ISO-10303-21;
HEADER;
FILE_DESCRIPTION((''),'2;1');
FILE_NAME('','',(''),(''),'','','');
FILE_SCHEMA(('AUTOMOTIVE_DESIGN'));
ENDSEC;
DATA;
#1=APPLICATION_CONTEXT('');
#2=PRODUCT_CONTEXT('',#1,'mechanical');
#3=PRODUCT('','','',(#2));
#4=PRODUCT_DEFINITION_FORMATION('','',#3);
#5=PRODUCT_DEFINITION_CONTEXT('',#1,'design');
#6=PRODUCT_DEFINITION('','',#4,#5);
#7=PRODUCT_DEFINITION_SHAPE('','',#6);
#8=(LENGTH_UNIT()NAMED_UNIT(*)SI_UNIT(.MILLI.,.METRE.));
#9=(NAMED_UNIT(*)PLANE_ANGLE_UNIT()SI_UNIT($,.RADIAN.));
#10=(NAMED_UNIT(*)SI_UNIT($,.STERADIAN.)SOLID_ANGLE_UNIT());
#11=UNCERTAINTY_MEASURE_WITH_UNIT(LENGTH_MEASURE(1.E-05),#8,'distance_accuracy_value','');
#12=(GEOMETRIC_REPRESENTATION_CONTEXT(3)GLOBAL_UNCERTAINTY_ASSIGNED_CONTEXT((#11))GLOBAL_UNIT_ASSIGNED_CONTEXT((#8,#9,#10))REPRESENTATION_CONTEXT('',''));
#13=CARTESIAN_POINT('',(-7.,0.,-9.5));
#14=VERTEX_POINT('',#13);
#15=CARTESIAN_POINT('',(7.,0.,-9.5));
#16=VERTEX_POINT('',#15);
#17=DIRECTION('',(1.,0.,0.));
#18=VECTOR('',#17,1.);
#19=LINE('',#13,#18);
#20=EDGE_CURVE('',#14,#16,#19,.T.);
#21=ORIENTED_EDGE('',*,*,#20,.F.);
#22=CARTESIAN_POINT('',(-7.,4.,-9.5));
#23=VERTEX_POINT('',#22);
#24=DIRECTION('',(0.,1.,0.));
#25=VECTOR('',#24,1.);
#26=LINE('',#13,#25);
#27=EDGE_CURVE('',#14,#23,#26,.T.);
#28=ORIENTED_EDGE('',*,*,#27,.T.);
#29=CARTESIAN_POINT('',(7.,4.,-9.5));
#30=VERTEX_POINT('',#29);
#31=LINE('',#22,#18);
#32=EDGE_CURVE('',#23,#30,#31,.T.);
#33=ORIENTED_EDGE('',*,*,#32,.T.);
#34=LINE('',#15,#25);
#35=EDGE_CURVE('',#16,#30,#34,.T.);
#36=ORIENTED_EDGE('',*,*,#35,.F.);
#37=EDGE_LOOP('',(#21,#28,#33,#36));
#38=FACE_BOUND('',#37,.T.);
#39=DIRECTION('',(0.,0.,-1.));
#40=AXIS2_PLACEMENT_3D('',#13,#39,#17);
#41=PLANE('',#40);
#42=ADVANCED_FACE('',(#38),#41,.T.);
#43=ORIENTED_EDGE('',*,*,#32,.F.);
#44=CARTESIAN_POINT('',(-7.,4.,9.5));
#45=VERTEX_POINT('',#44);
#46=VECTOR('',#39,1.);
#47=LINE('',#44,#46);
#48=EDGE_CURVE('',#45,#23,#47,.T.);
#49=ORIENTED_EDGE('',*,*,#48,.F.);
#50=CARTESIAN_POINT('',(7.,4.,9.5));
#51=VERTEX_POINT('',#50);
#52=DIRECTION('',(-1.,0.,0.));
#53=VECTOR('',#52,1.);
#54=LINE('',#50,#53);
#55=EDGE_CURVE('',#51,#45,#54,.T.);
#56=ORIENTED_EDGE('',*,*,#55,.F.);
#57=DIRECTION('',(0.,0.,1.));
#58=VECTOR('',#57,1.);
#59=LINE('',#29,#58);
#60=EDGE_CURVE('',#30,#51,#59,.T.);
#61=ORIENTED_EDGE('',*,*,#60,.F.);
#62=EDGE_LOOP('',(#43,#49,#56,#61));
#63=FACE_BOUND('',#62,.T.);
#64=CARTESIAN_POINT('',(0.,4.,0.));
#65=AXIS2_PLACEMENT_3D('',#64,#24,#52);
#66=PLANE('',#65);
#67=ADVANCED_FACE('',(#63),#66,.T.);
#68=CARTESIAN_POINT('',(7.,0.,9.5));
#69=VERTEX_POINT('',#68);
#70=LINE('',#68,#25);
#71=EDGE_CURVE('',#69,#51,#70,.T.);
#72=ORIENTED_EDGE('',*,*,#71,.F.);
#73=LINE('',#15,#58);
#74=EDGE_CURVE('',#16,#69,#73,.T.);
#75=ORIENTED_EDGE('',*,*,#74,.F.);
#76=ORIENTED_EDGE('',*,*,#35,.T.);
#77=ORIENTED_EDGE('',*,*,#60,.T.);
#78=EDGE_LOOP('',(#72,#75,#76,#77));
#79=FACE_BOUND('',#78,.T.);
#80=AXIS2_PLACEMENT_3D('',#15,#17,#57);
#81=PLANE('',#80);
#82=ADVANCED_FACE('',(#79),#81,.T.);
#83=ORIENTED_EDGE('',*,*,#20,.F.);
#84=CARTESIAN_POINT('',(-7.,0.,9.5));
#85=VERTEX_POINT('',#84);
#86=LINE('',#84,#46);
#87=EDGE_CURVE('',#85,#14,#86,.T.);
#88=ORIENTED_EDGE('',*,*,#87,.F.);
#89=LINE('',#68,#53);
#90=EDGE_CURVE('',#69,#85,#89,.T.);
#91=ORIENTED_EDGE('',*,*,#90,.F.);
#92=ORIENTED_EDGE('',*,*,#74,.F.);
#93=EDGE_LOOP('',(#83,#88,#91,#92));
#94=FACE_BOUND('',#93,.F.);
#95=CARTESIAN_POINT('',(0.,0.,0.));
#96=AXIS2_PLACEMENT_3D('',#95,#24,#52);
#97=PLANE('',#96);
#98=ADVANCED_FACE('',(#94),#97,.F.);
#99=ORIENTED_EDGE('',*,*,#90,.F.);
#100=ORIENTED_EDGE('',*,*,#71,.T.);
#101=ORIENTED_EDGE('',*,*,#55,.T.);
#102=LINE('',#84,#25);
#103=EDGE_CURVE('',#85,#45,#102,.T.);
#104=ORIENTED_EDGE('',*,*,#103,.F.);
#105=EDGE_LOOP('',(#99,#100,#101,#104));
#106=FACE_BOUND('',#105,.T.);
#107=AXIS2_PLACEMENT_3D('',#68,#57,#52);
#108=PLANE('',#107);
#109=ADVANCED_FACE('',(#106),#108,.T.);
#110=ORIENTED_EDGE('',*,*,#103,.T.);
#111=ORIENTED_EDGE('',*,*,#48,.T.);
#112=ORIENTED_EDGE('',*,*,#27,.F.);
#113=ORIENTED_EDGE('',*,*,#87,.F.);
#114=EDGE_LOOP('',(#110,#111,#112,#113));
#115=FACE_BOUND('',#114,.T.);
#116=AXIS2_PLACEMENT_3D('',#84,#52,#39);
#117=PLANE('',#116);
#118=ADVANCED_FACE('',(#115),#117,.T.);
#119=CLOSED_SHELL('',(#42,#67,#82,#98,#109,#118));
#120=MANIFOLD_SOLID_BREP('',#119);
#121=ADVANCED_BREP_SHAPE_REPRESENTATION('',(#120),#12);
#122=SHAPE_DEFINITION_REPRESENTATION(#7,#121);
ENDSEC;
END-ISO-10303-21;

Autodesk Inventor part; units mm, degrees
ref_plane "YZ Plane" through (0, 0, 0) normal (1, 0, 0) x (0, 1, 0)
ref_plane "XZ Plane" through (0, 0, 0) normal (0, 1, 0) x (-1, 0, 0)
ref_plane "XY Plane" through (0, 0, 0) normal (0, 0, 1) x (1, 0, 0)
sketch "Sketch1" plane through (0, 0, 0) normal (0, 1, 0) x (-1, 0, 0)
  line L0 (-7, 9.5) -> (7, 9.5)
  line L1 (7, 9.5) -> (7, -9.5)
  line L2 (7, -9.5) -> (-7, -9.5)
  line L3 (-7, -9.5) -> (-7, 9.5)
  line L4 (-7, 9.5) -> (7, -9.5) construction
  line L5 (7, 9.5) -> (-7, -9.5) construction
  point P0 (0, 0)
  dimension "d0" = 19
  dimension "d1" = 14
extrude "Extrusion1" add sketch "Sketch1" along normal blind 4
properties part number "Boost-Buck-Converter"
